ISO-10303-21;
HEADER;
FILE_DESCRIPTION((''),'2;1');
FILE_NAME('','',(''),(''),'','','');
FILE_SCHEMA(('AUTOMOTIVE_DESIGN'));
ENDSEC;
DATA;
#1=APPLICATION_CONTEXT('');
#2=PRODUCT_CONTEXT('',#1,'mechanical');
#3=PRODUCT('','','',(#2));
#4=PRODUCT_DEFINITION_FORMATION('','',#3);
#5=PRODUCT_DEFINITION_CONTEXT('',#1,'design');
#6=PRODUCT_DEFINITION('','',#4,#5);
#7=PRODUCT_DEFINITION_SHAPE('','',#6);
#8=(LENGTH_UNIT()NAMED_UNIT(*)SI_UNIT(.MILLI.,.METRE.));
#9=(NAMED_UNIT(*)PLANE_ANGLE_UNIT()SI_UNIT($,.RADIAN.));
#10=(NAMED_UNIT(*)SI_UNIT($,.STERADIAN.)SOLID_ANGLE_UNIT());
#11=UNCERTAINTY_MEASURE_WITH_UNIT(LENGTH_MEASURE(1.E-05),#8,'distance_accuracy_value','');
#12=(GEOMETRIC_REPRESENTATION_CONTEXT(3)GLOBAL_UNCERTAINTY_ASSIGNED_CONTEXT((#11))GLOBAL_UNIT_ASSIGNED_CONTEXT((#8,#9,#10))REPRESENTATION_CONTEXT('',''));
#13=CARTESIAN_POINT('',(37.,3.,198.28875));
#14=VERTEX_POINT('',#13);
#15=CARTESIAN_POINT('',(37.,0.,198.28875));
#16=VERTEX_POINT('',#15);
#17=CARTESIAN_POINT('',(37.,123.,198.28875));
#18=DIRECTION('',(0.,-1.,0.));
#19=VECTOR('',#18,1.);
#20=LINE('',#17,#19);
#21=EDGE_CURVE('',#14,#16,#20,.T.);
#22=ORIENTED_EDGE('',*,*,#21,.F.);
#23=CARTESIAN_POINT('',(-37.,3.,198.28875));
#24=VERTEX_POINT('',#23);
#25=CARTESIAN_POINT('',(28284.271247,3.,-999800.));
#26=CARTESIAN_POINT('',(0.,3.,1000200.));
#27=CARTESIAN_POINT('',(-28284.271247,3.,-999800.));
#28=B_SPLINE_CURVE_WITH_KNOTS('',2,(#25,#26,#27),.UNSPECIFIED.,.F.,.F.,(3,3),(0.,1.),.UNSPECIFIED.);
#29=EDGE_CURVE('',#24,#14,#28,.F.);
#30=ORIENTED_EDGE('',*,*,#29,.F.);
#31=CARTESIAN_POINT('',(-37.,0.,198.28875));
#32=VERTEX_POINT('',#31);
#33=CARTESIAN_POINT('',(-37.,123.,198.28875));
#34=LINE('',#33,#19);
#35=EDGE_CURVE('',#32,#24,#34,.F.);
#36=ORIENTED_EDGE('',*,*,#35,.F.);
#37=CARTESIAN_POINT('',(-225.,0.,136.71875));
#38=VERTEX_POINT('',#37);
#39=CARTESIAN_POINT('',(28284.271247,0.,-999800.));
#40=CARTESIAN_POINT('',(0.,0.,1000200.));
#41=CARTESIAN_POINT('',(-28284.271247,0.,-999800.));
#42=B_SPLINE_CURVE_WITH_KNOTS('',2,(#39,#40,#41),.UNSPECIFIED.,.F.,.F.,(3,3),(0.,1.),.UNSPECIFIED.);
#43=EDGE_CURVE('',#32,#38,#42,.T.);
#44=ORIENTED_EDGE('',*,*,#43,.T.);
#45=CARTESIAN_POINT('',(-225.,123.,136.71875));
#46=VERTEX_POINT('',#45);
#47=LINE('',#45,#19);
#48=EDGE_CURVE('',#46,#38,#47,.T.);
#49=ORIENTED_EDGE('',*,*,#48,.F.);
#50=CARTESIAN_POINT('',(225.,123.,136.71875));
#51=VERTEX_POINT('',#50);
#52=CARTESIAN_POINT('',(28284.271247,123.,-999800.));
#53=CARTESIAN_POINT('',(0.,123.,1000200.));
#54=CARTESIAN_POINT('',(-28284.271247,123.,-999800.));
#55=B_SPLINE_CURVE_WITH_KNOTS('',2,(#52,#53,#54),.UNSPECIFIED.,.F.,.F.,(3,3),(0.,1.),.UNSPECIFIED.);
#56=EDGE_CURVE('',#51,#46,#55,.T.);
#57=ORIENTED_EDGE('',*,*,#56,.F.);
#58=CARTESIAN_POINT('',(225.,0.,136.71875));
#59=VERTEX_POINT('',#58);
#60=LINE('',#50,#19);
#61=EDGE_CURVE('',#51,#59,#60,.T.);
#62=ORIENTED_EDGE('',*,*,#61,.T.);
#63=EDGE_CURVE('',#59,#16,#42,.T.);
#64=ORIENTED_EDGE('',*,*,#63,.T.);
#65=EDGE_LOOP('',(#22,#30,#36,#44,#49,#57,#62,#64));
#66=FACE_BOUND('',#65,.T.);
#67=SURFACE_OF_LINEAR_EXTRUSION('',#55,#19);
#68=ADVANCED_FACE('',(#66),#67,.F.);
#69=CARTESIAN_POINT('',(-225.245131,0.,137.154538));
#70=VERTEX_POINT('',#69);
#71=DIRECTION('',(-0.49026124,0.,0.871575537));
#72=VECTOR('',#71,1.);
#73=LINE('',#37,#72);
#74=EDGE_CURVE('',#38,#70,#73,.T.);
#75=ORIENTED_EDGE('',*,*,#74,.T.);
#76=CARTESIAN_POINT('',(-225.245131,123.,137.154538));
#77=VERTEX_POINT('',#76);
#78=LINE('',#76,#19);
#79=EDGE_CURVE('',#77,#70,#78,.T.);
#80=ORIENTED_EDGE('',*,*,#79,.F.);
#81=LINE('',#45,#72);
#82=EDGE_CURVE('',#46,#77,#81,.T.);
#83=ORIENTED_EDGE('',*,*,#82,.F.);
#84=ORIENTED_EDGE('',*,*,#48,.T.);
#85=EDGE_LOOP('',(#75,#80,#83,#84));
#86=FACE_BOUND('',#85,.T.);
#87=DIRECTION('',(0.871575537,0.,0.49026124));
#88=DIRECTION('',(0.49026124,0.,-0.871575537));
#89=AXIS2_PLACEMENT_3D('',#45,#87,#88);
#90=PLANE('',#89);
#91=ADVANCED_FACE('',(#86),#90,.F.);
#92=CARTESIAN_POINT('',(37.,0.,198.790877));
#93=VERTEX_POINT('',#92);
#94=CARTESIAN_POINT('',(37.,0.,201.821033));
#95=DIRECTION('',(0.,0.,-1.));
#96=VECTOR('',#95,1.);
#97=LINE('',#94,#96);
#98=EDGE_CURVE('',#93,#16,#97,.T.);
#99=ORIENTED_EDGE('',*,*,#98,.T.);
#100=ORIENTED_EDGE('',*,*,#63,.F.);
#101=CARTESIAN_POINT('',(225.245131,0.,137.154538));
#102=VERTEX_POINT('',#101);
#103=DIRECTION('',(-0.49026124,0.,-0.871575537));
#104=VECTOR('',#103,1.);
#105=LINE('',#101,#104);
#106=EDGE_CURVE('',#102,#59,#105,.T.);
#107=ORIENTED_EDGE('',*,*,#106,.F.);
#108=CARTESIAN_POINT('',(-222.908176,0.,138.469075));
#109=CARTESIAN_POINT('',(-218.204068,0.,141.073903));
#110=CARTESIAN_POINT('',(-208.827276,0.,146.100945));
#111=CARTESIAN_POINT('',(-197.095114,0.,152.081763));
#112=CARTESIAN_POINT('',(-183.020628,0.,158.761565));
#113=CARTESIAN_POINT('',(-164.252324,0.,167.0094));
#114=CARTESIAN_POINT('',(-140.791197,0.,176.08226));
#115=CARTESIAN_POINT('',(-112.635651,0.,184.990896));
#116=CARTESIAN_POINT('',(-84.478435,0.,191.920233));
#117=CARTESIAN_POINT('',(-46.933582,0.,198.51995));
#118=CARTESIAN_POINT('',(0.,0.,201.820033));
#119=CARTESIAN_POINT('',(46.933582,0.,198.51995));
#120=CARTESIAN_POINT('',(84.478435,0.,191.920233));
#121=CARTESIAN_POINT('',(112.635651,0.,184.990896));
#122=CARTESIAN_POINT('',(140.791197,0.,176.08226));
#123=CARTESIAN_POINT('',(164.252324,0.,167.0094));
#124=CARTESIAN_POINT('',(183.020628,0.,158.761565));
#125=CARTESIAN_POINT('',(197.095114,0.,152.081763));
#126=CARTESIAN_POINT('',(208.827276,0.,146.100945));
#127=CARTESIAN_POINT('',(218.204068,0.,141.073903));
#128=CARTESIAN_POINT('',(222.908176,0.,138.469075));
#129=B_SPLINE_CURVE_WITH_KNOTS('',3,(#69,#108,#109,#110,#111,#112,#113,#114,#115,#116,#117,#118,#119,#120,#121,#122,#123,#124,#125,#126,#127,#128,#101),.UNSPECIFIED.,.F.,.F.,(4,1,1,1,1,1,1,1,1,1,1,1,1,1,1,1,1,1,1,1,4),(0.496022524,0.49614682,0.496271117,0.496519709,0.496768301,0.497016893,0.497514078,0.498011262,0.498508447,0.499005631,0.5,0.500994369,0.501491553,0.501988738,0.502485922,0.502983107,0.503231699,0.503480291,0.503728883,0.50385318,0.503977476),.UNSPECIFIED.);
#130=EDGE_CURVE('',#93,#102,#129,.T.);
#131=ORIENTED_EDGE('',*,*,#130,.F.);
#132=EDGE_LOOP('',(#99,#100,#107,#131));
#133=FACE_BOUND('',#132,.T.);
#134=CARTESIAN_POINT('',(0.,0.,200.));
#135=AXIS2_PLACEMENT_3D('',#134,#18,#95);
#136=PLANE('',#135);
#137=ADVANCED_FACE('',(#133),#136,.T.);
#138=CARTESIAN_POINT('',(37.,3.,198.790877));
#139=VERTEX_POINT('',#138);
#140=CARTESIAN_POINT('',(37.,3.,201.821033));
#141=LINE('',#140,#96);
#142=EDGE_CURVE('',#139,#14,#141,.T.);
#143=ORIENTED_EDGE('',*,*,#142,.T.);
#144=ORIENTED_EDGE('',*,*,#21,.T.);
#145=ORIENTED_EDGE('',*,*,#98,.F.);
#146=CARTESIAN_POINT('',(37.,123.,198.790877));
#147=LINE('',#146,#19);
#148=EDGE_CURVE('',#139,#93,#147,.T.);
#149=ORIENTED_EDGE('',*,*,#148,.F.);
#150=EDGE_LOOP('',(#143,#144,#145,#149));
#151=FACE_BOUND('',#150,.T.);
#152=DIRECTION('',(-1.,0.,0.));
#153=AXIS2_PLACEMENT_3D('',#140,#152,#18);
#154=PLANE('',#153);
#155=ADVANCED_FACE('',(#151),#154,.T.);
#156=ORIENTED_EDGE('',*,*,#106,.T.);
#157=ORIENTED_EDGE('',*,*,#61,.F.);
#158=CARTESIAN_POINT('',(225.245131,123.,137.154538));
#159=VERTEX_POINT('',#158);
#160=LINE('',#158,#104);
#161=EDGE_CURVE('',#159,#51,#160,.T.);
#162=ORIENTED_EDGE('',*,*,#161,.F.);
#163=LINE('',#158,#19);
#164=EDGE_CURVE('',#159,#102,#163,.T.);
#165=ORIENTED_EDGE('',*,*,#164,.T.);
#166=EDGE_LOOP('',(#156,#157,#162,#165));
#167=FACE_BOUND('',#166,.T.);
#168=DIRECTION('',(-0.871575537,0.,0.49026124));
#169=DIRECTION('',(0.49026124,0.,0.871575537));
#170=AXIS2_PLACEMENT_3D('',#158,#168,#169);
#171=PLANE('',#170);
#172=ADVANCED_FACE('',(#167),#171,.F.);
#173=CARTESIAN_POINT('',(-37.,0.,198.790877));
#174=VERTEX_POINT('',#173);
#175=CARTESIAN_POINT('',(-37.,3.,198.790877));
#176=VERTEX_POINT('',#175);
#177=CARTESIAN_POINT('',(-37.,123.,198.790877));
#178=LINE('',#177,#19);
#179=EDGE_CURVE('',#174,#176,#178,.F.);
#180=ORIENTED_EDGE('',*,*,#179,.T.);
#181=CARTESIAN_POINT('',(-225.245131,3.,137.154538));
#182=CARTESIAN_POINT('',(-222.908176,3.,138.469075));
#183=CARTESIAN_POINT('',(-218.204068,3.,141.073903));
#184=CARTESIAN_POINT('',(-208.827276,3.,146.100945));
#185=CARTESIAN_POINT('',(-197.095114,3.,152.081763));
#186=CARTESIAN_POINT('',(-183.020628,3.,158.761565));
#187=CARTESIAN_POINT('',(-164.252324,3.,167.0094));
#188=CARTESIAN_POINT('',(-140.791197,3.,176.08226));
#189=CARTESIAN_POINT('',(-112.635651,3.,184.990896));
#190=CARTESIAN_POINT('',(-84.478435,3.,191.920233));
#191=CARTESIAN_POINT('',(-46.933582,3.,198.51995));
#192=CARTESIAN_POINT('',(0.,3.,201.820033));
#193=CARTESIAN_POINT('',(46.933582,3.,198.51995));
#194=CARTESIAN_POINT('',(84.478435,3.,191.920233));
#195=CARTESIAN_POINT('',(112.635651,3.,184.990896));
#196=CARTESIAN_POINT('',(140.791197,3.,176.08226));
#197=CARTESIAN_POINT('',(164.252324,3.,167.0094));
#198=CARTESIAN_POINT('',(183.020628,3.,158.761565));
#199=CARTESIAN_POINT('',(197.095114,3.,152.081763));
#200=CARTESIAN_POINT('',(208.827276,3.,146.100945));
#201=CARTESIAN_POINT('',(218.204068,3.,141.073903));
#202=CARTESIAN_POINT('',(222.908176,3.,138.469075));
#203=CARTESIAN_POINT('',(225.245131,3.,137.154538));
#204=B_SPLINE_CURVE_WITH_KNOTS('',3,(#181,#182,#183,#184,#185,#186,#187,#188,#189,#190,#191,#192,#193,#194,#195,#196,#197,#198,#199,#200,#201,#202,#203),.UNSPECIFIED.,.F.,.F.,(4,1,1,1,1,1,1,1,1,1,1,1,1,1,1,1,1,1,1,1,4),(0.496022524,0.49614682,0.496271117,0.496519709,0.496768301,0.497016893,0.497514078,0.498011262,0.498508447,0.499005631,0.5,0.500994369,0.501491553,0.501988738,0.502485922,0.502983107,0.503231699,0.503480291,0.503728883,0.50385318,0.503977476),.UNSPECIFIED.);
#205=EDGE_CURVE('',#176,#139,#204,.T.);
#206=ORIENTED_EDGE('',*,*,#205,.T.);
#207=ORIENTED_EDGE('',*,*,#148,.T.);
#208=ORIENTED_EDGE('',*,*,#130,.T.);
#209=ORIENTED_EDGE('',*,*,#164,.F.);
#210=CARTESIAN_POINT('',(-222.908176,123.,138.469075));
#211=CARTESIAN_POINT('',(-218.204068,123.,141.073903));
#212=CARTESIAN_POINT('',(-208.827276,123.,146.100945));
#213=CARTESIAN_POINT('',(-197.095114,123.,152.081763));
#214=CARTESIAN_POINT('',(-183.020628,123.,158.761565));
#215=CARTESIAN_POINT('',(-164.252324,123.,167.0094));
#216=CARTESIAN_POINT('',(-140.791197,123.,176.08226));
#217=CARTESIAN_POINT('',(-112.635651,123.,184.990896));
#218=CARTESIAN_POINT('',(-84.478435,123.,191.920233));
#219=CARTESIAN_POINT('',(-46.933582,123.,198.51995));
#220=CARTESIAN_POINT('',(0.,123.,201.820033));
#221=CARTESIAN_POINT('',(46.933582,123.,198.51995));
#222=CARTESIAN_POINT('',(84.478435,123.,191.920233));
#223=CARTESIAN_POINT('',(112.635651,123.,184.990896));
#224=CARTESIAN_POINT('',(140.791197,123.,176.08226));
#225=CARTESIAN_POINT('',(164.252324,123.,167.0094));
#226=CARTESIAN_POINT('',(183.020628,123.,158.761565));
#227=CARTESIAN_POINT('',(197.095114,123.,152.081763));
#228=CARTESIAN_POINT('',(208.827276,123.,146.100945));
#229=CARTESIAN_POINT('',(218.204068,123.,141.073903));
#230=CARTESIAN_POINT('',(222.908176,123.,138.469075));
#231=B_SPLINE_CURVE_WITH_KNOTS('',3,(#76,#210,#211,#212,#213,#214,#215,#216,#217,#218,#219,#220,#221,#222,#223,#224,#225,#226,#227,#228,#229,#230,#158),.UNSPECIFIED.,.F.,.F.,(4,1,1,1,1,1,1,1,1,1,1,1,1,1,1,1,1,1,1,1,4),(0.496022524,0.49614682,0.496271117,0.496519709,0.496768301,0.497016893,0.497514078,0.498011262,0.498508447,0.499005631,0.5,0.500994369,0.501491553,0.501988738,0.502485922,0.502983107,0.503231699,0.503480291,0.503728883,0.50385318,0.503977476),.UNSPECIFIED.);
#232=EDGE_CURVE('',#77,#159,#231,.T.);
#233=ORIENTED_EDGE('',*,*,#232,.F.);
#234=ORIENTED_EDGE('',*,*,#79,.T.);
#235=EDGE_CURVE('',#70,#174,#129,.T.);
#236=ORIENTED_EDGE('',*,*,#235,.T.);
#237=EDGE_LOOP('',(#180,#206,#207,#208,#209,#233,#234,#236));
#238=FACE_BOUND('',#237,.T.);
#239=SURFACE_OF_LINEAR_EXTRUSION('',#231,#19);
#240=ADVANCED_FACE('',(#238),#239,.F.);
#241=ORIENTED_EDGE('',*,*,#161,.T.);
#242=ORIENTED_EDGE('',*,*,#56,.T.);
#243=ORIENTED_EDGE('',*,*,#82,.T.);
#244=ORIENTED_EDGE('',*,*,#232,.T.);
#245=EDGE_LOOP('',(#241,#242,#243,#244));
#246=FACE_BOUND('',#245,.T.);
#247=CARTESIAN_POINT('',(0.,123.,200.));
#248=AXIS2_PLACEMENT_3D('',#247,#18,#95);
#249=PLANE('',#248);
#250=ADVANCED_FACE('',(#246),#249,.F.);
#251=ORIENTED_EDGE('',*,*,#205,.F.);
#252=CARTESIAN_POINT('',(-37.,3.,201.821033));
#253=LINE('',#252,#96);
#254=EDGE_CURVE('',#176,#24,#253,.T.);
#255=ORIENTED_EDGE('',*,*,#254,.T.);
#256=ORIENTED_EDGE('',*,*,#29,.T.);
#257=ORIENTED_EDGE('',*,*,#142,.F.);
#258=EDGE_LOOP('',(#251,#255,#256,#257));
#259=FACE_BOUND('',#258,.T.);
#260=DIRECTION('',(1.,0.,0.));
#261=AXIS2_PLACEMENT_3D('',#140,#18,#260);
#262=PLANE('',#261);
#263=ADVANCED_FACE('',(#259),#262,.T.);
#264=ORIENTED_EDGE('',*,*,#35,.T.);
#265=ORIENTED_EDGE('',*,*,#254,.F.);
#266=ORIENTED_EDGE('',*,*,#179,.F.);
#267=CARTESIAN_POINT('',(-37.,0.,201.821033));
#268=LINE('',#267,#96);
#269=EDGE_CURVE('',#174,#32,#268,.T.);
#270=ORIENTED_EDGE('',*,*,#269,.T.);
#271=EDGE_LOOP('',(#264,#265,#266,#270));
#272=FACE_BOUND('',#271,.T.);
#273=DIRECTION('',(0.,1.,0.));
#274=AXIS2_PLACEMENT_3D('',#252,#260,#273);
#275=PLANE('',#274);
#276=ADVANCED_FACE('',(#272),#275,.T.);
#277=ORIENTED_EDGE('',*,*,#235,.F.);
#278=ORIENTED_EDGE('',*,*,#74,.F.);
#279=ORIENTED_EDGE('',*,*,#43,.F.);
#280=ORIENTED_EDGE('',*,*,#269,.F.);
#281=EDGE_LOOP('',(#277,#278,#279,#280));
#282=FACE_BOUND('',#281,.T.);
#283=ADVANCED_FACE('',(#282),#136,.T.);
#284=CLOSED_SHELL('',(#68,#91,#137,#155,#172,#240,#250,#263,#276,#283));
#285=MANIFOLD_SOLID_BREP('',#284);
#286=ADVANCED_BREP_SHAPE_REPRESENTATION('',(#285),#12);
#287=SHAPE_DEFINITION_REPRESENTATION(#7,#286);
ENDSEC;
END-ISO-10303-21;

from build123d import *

# Parameters (mm, degrees)
BOSS_EXTRUDE1_DEPTH = 123
CUT_EXTRUDE1_REACH  = 327.676
SKETCH2_W           = 74
SKETCH2_H           = 3


with BuildPart() as part:
    # Sketch1 → Boss-Extrude1 (new body)
    with BuildSketch(Plane(origin=(0, 0, 0), x_dir=(1, 0, 0), z_dir=(0, 1, 0))):
        with BuildLine():
            Line((-225, -136.71875), (-225.24513062, -137.154537769))
            add(Edge.make_bspline(
                [(-225.24513062, -137.154537769), (-222.908176033, -138.469074724), (-218.204067638, -141.07390287), (-208.827276173, -146.10094494), (-197.095113634, -152.081763048), (-183.020628451, -158.761564514), (-164.252323786, -167.009400213), (-140.791197461, -176.082259845), (-112.635650998, -184.99089612), (-84.478435277, -191.920233494), (-46.93358165, -198.519950199), (0, -201.8200332), (46.93358165, -198.519950199), (84.478435277, -191.920233494), (112.635650998, -184.99089612), (140.791197461, -176.082259845), (164.252323786, -167.009400213), (183.020628451, -158.761564514), (197.095113634, -152.081763048), (208.827276173, -146.10094494), (218.204067638, -141.07390287), (222.908176033, -138.469074724), (225.24513062, -137.154537769)],
                knots=[0.496022524, 0.496022524, 0.496022524, 0.496022524, 0.49614682, 0.496271117, 0.496519709, 0.496768301, 0.497016893, 0.497514078, 0.498011262, 0.498508447, 0.499005631, 0.5, 0.500994369, 0.501491553, 0.501988738, 0.502485922, 0.502983107, 0.503231699, 0.503480291, 0.503728883, 0.50385318, 0.503977476, 0.503977476, 0.503977476, 0.503977476], degree=3))
            Line((225.24513062, -137.154537769), (225, -136.71875))
            add(Edge.make_bspline(
                [(-225, -136.71875), (0, -263.28125), (225, -136.71875)],
                knots=[0, 0, 0, 1, 1, 1], degree=2))
        make_face()
    extrude(amount=BOSS_EXTRUDE1_DEPTH)

    # Sketch2 → Cut-Extrude1 (cut, up to next)
    with BuildSketch(Plane.XY, mode=Mode.PRIVATE) as cut_extrude1_sk1:
        with Locations((0, 1.5)):
            Rectangle(SKETCH2_W, SKETCH2_H)
    cut_extrude1_tool1 = extrude(cut_extrude1_sk1.sketch, amount=CUT_EXTRUDE1_REACH, mode=Mode.PRIVATE) & part.part
    add(cut_extrude1_tool1.solids().sort_by_distance((0, 1.5, 0))[0], mode=Mode.SUBTRACT)


solid = part.part
